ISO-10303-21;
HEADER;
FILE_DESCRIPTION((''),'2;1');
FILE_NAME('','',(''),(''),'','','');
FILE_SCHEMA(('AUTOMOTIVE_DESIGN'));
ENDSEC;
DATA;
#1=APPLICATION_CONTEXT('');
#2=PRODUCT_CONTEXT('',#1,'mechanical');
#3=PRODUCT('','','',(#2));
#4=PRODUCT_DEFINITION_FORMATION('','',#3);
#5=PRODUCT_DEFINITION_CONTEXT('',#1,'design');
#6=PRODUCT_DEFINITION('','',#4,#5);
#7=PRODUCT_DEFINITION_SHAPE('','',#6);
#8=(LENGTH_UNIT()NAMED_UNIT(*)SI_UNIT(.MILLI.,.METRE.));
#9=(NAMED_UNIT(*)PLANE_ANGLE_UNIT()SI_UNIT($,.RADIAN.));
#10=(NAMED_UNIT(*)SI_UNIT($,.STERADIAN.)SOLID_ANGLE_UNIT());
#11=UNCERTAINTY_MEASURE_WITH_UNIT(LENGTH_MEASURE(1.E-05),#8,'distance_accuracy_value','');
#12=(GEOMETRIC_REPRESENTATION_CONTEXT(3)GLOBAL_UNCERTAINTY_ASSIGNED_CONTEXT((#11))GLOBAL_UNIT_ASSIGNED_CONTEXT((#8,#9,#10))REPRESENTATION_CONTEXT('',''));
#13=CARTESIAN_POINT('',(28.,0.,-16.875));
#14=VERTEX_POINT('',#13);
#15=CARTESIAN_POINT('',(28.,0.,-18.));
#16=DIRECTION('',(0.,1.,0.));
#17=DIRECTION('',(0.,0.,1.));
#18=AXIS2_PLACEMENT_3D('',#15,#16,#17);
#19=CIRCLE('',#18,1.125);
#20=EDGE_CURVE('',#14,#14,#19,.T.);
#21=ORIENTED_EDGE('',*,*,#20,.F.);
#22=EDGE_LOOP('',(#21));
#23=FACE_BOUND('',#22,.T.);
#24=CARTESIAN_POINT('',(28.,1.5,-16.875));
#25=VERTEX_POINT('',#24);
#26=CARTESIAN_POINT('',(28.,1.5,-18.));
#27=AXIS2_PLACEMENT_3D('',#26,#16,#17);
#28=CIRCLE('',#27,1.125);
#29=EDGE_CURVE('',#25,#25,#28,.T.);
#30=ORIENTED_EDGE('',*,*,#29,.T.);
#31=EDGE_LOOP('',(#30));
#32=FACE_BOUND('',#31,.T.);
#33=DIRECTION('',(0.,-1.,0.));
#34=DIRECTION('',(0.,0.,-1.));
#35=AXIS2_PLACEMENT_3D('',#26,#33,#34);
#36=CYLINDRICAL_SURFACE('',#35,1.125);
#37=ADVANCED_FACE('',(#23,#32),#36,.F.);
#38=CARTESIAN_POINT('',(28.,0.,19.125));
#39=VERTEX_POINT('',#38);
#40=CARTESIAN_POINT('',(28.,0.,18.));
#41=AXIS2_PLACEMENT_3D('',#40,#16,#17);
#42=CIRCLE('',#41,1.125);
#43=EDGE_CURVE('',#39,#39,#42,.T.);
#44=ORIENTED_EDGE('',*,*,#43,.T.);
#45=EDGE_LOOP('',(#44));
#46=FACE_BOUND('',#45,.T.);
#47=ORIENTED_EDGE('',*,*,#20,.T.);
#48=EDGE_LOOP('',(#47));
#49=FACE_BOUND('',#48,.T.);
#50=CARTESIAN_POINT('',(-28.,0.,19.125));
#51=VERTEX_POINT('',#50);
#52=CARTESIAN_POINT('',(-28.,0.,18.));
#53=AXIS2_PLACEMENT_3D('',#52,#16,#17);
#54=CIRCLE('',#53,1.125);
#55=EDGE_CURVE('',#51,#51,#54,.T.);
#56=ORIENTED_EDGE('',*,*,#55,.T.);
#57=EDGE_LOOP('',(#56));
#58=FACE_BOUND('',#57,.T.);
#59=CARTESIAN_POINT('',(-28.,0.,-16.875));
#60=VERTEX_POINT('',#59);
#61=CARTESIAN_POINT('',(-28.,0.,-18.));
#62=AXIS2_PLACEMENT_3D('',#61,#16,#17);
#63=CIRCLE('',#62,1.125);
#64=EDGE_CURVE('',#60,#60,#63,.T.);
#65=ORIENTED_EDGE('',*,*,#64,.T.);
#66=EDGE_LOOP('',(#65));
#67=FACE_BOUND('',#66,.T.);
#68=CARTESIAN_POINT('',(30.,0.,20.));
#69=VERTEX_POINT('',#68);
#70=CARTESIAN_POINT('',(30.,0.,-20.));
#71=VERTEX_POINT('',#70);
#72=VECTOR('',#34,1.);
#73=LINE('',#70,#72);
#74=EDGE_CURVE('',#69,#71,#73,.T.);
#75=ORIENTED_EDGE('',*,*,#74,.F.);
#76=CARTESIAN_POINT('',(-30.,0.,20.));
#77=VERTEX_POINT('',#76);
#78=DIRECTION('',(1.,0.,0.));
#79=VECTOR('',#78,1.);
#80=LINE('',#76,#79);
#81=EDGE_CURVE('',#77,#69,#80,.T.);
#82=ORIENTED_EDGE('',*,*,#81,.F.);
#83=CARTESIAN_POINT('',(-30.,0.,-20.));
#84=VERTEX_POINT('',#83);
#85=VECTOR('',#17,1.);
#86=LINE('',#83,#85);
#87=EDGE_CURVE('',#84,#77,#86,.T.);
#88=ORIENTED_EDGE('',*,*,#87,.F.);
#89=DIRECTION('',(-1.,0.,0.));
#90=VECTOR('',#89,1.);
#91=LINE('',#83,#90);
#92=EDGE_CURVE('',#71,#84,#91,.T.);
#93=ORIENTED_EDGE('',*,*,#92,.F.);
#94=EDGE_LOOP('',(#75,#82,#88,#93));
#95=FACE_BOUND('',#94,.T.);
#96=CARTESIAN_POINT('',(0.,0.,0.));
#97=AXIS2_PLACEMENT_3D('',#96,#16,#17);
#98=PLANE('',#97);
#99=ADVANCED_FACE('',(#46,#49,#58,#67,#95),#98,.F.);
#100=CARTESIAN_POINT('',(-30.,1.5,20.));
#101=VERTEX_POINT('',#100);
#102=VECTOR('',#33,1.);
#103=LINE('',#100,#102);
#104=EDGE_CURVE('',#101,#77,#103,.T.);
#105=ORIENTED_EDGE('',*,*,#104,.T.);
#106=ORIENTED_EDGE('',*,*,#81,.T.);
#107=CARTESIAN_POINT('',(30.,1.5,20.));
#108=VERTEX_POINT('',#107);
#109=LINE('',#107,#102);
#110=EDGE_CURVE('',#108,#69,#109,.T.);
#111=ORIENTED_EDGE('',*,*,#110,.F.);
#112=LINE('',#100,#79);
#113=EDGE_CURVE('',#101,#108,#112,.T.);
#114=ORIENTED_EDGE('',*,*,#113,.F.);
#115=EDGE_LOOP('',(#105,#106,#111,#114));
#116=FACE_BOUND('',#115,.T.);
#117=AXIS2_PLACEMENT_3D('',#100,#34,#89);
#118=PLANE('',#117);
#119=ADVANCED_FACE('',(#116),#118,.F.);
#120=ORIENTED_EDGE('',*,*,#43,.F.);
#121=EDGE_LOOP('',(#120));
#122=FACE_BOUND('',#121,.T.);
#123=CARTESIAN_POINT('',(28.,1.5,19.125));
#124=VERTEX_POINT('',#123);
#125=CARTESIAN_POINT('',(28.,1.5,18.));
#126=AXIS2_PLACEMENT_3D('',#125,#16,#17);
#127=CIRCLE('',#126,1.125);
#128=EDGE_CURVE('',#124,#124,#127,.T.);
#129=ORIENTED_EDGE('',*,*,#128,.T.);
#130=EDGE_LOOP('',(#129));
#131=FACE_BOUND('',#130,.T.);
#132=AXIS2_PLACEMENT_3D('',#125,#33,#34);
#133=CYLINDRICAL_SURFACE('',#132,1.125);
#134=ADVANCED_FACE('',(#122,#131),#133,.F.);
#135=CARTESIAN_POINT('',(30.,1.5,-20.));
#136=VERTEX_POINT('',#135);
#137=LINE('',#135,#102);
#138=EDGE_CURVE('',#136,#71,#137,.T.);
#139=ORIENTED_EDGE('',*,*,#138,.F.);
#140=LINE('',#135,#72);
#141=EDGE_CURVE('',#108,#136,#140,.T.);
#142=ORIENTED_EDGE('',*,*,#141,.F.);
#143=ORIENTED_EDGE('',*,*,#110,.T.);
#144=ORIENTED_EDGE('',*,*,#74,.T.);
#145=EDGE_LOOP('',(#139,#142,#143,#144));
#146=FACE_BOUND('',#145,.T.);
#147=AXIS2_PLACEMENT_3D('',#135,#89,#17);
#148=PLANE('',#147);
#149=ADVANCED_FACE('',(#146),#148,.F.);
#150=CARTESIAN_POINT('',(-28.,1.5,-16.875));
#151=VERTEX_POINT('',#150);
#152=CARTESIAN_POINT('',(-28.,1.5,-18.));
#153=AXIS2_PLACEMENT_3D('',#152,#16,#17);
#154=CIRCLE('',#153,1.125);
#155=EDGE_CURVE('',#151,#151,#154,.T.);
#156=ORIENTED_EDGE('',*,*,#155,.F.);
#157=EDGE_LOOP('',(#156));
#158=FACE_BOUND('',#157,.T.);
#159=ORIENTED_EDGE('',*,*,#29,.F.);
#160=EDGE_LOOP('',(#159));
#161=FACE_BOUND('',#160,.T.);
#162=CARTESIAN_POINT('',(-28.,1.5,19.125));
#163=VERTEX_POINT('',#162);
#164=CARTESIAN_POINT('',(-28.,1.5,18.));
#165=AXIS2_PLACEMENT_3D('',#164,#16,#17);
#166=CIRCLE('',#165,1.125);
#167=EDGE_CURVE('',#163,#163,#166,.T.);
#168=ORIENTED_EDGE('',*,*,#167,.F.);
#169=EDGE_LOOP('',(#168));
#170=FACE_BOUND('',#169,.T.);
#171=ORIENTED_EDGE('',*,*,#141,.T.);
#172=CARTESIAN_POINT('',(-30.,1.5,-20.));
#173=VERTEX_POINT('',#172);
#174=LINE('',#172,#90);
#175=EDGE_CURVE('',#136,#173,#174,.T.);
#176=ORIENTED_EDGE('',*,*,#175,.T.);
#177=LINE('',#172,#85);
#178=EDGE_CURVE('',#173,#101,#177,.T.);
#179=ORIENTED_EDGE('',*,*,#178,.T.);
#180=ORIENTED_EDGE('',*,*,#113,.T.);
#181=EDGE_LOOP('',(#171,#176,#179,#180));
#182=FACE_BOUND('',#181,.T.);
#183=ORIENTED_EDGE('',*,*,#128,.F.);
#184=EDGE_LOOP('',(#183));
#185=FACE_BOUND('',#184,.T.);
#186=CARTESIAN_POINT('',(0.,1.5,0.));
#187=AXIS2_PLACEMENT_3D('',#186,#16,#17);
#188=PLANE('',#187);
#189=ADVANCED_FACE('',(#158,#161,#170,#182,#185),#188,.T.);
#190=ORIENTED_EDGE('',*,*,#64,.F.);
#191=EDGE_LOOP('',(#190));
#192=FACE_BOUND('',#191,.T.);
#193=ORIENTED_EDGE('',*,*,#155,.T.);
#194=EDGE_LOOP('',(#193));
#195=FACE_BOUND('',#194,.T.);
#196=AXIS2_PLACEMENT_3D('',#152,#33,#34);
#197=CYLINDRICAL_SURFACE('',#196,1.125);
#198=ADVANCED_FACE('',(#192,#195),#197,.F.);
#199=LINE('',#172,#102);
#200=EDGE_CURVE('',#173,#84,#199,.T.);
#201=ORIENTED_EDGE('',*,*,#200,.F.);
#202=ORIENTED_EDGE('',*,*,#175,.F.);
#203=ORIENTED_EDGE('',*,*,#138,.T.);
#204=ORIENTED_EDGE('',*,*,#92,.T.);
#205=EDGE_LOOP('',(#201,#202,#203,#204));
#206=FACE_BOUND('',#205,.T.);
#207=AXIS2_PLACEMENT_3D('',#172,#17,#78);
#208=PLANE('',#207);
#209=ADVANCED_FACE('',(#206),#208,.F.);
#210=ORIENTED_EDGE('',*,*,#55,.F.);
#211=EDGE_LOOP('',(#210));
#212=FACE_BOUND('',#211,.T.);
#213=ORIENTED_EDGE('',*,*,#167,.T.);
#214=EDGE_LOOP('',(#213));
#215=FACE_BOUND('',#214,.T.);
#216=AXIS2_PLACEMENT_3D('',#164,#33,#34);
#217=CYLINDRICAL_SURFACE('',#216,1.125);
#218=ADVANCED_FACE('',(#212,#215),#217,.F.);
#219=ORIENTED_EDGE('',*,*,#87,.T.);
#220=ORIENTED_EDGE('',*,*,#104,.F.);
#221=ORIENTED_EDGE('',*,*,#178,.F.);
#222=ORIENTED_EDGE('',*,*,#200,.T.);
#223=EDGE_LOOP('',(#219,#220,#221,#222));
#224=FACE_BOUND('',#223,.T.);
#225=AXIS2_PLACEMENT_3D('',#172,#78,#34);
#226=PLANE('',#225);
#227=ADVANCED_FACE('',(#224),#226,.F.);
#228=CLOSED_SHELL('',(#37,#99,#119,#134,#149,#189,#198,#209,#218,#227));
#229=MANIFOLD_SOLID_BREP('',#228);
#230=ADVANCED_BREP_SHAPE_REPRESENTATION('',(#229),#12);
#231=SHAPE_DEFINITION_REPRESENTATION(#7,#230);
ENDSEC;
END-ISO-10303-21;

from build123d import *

# Parameters (mm, degrees)
SKETCH1_W           = 60
SKETCH1_H           = 40
SKETCH1_R           = 1.125
BOSS_EXTRUDE1_DEPTH = 1.5


with BuildPart() as part:
    # Sketch1 → Boss-Extrude1 (new body)
    with BuildSketch(Plane(origin=(0, 0, 0), x_dir=(1, 0, 0), z_dir=(0, 1, 0))):
        Rectangle(SKETCH1_W, SKETCH1_H)
        with Locations(Location((-28, 18, 0), (0, 0, 270))):
            Circle(SKETCH1_R, mode=Mode.SUBTRACT)
        with Locations(Location((28, 18, 0), (0, 0, 270))):
            Circle(SKETCH1_R, mode=Mode.SUBTRACT)
        with Locations(Location((28, -18, 0), (0, 0, 270))):
            Circle(SKETCH1_R, mode=Mode.SUBTRACT)
        with Locations(Location((-28, -18, 0), (0, 0, 270))):
            Circle(SKETCH1_R, mode=Mode.SUBTRACT)
    extrude(amount=BOSS_EXTRUDE1_DEPTH)


solid = part.part
